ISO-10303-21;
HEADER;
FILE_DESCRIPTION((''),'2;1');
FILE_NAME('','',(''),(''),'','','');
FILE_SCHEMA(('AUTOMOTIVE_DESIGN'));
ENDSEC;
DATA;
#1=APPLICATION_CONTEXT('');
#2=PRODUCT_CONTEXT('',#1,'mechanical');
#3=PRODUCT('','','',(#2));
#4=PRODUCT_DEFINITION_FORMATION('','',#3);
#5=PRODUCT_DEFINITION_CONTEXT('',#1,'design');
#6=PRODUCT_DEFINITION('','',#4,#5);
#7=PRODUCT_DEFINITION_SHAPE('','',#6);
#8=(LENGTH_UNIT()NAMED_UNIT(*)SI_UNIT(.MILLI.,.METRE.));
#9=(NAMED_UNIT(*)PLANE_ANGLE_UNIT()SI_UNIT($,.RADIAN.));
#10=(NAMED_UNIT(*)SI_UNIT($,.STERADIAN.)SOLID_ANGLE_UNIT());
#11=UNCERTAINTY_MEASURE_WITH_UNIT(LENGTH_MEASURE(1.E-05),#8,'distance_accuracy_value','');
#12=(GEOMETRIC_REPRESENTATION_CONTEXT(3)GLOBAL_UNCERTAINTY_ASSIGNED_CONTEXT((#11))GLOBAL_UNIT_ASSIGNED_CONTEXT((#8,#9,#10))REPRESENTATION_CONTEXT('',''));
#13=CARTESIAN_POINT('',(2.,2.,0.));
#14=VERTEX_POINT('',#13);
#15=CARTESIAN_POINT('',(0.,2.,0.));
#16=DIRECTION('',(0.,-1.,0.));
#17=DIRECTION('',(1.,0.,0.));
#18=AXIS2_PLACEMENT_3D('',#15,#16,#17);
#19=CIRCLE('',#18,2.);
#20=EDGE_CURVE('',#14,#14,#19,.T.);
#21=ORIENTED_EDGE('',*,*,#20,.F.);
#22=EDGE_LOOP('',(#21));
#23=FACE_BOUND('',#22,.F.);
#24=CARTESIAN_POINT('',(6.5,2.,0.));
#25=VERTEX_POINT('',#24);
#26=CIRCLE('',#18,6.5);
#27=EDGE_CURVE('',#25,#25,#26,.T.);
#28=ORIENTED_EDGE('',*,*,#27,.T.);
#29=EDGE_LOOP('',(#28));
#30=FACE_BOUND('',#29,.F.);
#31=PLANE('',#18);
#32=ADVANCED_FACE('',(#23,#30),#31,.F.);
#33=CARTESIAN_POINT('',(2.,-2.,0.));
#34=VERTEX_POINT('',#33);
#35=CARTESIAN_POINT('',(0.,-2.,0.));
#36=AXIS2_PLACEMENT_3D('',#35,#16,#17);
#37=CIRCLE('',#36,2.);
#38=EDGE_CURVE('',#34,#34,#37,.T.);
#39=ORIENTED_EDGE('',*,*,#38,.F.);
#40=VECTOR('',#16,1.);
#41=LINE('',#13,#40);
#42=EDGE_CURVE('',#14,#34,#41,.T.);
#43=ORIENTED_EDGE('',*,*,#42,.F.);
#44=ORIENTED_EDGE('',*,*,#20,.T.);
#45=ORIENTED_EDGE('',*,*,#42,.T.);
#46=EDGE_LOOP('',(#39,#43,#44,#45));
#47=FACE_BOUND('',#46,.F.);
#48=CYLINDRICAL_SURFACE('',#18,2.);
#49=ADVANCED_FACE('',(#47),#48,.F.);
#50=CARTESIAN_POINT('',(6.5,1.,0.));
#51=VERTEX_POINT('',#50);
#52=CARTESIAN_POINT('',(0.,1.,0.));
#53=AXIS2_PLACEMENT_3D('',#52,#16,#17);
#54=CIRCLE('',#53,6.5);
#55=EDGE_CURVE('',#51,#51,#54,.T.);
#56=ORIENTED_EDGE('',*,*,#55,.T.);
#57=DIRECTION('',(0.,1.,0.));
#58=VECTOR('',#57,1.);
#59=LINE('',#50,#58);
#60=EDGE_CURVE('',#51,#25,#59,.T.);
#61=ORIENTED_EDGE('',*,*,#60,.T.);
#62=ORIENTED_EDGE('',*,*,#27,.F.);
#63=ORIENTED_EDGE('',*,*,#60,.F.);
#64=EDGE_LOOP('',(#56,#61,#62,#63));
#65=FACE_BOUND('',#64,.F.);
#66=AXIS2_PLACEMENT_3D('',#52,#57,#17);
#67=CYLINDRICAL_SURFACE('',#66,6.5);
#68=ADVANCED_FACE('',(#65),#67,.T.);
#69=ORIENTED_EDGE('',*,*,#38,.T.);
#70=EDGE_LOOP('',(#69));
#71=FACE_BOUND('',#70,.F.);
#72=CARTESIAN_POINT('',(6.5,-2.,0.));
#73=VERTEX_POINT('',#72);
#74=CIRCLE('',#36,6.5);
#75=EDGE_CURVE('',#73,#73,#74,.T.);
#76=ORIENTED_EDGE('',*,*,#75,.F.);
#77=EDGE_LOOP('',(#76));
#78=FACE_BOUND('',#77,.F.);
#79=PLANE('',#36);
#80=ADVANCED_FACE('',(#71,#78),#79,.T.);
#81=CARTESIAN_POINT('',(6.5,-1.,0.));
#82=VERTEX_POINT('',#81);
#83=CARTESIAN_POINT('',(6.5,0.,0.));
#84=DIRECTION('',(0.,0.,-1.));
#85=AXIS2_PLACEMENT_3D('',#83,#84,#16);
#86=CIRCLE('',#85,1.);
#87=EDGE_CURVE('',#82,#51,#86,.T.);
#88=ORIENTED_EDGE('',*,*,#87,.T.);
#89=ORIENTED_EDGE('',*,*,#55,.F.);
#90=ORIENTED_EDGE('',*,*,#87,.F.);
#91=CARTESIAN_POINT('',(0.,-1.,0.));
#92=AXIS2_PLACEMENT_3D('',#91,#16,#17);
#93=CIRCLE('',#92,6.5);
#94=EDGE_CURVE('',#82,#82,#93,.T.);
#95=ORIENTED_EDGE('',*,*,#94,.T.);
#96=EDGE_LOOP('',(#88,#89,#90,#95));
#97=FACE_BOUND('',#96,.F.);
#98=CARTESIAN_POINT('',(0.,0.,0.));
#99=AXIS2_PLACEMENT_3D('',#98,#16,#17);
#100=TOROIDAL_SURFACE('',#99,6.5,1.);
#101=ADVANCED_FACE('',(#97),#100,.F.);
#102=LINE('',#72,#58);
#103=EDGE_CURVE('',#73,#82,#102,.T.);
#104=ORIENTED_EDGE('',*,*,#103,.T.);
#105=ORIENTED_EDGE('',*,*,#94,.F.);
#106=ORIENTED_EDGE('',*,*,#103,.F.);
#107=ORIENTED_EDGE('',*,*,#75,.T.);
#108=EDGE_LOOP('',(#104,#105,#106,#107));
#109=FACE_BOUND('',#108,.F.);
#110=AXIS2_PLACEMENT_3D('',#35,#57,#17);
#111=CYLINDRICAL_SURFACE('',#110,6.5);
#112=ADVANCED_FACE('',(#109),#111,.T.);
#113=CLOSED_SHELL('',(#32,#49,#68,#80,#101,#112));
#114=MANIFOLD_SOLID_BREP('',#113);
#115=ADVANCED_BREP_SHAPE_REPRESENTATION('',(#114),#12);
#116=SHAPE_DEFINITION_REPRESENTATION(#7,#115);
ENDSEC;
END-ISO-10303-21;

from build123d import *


with BuildPart() as part:
    # Sketch1 → Revolve1 (revolve)
    with BuildSketch(Plane.XY):
        with BuildLine():
            Line((2, 2), (2, -2))
            Line((2, -2), (6.5, -2))
            Line((6.5, -2), (6.5, -1))
            ThreePointArc((6.5, -1), (5.5, 0), (6.5, 1))
            Line((6.5, 1), (6.5, 2))
            Line((6.5, 2), (2, 2))
        make_face()
    revolve(axis=Axis((0, 2, 0), (0, -1, 0)))


solid = part.part
